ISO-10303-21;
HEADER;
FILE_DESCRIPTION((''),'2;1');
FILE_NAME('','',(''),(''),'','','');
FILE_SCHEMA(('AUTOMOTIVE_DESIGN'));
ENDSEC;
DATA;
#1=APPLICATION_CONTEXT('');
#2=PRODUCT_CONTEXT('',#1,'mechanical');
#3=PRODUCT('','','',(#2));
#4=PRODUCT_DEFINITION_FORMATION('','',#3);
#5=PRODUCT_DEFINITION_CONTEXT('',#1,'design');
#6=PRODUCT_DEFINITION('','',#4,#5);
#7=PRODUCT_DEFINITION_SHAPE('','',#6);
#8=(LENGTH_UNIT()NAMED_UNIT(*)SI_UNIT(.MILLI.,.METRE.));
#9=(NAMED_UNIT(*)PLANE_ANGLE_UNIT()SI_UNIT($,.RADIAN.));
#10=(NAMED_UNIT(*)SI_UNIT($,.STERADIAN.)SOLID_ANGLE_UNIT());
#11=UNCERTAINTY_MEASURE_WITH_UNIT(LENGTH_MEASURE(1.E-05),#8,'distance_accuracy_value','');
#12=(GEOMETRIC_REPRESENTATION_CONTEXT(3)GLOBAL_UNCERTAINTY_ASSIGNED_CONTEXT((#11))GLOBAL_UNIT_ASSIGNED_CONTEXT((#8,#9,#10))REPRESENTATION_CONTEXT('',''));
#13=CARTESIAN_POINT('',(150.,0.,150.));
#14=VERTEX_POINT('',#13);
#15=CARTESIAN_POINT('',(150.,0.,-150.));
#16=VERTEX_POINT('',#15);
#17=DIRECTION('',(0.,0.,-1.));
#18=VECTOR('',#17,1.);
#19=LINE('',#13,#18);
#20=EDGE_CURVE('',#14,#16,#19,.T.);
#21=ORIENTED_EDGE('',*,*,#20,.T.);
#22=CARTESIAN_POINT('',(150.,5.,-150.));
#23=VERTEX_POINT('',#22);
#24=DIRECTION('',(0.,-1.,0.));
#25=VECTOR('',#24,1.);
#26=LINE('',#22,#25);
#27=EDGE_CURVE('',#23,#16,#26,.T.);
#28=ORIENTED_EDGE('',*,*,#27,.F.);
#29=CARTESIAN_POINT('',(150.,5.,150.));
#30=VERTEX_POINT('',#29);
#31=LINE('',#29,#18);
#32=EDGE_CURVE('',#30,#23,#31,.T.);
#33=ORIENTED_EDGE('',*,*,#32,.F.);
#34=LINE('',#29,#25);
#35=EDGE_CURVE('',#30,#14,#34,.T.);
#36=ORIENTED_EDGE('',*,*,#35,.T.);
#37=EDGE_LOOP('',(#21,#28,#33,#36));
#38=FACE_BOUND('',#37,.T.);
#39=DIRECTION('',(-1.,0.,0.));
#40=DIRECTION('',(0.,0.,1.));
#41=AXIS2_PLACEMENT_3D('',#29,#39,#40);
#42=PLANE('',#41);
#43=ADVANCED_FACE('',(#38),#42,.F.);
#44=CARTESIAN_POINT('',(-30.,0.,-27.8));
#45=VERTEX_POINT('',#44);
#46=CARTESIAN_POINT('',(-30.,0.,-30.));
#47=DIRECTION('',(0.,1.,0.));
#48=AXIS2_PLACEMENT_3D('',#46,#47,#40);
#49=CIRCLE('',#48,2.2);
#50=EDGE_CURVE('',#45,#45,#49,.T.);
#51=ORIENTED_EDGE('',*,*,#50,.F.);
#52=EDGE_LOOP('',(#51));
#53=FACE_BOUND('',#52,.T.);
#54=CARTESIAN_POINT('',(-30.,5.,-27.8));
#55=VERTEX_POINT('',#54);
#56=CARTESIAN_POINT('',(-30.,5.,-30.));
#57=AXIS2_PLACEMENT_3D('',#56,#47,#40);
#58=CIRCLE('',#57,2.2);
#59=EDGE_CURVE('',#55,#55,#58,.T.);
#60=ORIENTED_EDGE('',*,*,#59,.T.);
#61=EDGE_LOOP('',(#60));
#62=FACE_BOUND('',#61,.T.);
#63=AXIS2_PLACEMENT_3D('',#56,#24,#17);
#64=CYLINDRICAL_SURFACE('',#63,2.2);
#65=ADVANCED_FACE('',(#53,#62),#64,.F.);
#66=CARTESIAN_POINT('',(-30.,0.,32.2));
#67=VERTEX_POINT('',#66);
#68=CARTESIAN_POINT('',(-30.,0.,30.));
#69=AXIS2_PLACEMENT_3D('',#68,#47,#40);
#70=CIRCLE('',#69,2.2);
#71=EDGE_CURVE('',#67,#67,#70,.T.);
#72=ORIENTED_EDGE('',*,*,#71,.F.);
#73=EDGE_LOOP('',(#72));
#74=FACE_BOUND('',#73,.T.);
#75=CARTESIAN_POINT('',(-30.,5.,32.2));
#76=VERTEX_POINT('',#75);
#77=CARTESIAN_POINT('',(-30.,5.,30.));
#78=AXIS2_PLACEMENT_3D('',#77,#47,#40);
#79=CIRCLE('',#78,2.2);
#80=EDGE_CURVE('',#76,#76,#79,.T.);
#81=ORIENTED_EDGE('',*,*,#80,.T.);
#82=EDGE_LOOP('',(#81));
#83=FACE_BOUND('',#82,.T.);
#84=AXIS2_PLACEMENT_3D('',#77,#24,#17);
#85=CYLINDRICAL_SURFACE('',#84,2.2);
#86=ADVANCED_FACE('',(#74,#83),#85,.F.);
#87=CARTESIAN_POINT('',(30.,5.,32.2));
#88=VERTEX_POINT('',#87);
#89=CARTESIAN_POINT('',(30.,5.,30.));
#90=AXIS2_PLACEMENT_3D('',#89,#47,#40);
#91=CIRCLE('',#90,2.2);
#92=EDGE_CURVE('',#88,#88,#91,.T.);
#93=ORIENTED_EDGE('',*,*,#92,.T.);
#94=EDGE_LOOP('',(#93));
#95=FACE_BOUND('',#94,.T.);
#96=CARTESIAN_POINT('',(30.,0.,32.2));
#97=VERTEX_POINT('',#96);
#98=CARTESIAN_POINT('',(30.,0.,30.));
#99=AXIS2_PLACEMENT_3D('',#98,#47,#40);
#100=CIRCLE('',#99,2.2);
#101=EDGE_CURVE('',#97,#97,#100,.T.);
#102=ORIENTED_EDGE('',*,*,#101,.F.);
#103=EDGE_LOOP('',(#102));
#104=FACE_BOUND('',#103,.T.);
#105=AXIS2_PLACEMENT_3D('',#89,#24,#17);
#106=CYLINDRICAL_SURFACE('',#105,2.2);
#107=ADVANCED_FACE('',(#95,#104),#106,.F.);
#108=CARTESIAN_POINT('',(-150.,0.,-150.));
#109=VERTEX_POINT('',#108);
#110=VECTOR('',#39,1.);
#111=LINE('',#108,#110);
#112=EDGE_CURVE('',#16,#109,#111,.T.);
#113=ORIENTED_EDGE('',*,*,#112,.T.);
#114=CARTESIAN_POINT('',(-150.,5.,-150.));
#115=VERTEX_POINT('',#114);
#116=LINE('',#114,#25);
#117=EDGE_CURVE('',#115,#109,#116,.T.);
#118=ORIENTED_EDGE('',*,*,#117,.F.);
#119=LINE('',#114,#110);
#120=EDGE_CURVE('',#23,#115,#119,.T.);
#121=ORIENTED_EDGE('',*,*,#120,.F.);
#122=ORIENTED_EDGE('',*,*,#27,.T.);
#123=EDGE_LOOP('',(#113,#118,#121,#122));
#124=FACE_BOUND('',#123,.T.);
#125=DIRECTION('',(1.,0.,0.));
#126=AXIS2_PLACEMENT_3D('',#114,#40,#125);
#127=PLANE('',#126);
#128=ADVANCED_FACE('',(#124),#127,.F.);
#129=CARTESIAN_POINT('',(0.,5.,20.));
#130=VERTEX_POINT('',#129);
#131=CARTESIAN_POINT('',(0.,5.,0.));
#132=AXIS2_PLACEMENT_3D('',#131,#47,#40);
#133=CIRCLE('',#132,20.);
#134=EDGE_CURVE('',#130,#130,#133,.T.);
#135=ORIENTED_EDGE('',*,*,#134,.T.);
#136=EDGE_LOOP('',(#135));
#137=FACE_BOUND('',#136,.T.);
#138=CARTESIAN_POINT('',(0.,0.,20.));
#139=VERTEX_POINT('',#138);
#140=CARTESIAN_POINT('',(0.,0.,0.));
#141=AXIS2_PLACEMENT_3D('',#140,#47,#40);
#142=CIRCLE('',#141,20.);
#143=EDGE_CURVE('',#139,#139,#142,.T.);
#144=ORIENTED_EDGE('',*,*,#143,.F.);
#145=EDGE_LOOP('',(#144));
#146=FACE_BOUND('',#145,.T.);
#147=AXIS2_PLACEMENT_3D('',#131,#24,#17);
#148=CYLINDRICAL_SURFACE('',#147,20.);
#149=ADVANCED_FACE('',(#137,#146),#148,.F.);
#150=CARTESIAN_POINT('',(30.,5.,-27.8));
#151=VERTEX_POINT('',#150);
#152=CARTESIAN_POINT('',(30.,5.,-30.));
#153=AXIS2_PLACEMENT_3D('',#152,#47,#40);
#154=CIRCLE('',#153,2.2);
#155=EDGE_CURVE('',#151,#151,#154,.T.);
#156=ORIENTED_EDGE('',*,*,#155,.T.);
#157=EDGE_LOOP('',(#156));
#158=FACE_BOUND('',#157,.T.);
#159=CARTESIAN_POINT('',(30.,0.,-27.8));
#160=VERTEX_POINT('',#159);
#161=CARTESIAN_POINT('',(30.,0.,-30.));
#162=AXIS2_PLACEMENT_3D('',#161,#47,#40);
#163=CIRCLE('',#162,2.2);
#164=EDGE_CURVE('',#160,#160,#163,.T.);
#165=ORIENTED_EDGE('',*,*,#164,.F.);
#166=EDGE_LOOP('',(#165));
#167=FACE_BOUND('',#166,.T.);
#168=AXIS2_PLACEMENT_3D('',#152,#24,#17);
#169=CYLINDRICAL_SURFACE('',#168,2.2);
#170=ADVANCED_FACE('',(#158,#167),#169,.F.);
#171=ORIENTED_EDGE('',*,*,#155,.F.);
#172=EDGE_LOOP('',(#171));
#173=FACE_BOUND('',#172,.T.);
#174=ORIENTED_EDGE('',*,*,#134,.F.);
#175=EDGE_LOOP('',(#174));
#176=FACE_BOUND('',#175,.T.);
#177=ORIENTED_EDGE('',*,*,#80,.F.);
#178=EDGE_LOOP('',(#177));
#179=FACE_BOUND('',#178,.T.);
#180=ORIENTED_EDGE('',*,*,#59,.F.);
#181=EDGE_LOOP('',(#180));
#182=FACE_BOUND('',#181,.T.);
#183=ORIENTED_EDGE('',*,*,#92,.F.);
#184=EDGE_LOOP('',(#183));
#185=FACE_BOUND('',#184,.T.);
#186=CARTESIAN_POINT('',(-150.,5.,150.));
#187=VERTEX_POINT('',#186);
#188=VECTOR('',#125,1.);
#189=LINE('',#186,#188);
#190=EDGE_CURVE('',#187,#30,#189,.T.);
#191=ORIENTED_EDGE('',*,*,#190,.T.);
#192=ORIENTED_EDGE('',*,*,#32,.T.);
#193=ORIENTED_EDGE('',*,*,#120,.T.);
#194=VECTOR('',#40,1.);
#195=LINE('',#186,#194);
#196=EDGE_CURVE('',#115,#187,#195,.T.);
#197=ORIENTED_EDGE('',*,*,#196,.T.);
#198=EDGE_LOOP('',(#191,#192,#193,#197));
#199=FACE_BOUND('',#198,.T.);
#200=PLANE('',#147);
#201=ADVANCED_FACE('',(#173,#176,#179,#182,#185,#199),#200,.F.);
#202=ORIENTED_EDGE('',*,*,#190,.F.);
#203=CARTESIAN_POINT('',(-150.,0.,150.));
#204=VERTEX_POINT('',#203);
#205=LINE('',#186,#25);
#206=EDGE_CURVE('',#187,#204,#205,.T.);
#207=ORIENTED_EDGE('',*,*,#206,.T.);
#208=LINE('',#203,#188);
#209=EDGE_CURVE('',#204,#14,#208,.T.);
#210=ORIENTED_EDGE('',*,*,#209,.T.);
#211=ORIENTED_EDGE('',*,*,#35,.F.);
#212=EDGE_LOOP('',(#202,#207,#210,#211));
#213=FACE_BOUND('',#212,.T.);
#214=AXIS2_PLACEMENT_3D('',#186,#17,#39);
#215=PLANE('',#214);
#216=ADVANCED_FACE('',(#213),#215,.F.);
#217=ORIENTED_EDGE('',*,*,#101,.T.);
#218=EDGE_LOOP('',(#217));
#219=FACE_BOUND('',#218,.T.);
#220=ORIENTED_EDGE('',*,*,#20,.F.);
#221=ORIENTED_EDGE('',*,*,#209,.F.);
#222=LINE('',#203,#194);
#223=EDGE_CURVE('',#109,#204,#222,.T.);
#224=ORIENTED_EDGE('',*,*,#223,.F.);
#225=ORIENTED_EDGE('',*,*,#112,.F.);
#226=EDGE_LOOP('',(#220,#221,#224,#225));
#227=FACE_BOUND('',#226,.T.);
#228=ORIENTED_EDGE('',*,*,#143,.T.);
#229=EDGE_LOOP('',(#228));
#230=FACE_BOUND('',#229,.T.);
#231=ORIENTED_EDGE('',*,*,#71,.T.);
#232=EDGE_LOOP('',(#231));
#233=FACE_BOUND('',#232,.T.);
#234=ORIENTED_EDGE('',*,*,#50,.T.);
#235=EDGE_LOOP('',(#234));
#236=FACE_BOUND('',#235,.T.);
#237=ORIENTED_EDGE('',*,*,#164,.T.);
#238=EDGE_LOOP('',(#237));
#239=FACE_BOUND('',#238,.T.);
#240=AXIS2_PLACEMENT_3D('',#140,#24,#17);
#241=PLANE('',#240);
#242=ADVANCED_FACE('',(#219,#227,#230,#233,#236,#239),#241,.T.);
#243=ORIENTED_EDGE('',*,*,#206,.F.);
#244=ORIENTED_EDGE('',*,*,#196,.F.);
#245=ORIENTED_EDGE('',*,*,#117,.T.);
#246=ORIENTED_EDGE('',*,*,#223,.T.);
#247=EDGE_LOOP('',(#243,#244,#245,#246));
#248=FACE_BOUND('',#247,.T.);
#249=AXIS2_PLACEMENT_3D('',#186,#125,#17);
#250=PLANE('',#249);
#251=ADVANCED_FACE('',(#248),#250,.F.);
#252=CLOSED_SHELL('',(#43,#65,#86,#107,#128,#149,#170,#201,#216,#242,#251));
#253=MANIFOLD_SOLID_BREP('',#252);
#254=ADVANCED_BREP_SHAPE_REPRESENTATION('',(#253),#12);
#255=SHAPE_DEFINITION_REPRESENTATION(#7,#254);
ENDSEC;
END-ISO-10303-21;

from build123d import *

# Parameters (mm, degrees)
SKETCH1_W           = 300
SKETCH1_H           = 300
SKETCH1_R           = 20
SKETCH1_R_2         = 2.2
BOSS_EXTRUDE1_DEPTH = 5


with BuildPart() as part:
    # Sketch1 → Boss-Extrude1 (new body)
    with BuildSketch(Plane(origin=(0, 0, 0), x_dir=(1, 0, 0), z_dir=(0, 1, 0))):
        Rectangle(SKETCH1_W, SKETCH1_H)
        with Locations(Location((0, 0, 0), (0, 0, 270))):
            Circle(SKETCH1_R, mode=Mode.SUBTRACT)
        with Locations(Location((-30, 30, 0), (0, 0, 270))):
            Circle(SKETCH1_R_2, mode=Mode.SUBTRACT)
        with Locations(Location((30, 30, 0), (0, 0, 270))):
            Circle(SKETCH1_R_2, mode=Mode.SUBTRACT)
        with Locations(Location((30, -30, 0), (0, 0, 270))):
            Circle(SKETCH1_R_2, mode=Mode.SUBTRACT)
        with Locations(Location((-30, -30, 0), (0, 0, 270))):
            Circle(SKETCH1_R_2, mode=Mode.SUBTRACT)
    extrude(amount=BOSS_EXTRUDE1_DEPTH)


solid = part.part
